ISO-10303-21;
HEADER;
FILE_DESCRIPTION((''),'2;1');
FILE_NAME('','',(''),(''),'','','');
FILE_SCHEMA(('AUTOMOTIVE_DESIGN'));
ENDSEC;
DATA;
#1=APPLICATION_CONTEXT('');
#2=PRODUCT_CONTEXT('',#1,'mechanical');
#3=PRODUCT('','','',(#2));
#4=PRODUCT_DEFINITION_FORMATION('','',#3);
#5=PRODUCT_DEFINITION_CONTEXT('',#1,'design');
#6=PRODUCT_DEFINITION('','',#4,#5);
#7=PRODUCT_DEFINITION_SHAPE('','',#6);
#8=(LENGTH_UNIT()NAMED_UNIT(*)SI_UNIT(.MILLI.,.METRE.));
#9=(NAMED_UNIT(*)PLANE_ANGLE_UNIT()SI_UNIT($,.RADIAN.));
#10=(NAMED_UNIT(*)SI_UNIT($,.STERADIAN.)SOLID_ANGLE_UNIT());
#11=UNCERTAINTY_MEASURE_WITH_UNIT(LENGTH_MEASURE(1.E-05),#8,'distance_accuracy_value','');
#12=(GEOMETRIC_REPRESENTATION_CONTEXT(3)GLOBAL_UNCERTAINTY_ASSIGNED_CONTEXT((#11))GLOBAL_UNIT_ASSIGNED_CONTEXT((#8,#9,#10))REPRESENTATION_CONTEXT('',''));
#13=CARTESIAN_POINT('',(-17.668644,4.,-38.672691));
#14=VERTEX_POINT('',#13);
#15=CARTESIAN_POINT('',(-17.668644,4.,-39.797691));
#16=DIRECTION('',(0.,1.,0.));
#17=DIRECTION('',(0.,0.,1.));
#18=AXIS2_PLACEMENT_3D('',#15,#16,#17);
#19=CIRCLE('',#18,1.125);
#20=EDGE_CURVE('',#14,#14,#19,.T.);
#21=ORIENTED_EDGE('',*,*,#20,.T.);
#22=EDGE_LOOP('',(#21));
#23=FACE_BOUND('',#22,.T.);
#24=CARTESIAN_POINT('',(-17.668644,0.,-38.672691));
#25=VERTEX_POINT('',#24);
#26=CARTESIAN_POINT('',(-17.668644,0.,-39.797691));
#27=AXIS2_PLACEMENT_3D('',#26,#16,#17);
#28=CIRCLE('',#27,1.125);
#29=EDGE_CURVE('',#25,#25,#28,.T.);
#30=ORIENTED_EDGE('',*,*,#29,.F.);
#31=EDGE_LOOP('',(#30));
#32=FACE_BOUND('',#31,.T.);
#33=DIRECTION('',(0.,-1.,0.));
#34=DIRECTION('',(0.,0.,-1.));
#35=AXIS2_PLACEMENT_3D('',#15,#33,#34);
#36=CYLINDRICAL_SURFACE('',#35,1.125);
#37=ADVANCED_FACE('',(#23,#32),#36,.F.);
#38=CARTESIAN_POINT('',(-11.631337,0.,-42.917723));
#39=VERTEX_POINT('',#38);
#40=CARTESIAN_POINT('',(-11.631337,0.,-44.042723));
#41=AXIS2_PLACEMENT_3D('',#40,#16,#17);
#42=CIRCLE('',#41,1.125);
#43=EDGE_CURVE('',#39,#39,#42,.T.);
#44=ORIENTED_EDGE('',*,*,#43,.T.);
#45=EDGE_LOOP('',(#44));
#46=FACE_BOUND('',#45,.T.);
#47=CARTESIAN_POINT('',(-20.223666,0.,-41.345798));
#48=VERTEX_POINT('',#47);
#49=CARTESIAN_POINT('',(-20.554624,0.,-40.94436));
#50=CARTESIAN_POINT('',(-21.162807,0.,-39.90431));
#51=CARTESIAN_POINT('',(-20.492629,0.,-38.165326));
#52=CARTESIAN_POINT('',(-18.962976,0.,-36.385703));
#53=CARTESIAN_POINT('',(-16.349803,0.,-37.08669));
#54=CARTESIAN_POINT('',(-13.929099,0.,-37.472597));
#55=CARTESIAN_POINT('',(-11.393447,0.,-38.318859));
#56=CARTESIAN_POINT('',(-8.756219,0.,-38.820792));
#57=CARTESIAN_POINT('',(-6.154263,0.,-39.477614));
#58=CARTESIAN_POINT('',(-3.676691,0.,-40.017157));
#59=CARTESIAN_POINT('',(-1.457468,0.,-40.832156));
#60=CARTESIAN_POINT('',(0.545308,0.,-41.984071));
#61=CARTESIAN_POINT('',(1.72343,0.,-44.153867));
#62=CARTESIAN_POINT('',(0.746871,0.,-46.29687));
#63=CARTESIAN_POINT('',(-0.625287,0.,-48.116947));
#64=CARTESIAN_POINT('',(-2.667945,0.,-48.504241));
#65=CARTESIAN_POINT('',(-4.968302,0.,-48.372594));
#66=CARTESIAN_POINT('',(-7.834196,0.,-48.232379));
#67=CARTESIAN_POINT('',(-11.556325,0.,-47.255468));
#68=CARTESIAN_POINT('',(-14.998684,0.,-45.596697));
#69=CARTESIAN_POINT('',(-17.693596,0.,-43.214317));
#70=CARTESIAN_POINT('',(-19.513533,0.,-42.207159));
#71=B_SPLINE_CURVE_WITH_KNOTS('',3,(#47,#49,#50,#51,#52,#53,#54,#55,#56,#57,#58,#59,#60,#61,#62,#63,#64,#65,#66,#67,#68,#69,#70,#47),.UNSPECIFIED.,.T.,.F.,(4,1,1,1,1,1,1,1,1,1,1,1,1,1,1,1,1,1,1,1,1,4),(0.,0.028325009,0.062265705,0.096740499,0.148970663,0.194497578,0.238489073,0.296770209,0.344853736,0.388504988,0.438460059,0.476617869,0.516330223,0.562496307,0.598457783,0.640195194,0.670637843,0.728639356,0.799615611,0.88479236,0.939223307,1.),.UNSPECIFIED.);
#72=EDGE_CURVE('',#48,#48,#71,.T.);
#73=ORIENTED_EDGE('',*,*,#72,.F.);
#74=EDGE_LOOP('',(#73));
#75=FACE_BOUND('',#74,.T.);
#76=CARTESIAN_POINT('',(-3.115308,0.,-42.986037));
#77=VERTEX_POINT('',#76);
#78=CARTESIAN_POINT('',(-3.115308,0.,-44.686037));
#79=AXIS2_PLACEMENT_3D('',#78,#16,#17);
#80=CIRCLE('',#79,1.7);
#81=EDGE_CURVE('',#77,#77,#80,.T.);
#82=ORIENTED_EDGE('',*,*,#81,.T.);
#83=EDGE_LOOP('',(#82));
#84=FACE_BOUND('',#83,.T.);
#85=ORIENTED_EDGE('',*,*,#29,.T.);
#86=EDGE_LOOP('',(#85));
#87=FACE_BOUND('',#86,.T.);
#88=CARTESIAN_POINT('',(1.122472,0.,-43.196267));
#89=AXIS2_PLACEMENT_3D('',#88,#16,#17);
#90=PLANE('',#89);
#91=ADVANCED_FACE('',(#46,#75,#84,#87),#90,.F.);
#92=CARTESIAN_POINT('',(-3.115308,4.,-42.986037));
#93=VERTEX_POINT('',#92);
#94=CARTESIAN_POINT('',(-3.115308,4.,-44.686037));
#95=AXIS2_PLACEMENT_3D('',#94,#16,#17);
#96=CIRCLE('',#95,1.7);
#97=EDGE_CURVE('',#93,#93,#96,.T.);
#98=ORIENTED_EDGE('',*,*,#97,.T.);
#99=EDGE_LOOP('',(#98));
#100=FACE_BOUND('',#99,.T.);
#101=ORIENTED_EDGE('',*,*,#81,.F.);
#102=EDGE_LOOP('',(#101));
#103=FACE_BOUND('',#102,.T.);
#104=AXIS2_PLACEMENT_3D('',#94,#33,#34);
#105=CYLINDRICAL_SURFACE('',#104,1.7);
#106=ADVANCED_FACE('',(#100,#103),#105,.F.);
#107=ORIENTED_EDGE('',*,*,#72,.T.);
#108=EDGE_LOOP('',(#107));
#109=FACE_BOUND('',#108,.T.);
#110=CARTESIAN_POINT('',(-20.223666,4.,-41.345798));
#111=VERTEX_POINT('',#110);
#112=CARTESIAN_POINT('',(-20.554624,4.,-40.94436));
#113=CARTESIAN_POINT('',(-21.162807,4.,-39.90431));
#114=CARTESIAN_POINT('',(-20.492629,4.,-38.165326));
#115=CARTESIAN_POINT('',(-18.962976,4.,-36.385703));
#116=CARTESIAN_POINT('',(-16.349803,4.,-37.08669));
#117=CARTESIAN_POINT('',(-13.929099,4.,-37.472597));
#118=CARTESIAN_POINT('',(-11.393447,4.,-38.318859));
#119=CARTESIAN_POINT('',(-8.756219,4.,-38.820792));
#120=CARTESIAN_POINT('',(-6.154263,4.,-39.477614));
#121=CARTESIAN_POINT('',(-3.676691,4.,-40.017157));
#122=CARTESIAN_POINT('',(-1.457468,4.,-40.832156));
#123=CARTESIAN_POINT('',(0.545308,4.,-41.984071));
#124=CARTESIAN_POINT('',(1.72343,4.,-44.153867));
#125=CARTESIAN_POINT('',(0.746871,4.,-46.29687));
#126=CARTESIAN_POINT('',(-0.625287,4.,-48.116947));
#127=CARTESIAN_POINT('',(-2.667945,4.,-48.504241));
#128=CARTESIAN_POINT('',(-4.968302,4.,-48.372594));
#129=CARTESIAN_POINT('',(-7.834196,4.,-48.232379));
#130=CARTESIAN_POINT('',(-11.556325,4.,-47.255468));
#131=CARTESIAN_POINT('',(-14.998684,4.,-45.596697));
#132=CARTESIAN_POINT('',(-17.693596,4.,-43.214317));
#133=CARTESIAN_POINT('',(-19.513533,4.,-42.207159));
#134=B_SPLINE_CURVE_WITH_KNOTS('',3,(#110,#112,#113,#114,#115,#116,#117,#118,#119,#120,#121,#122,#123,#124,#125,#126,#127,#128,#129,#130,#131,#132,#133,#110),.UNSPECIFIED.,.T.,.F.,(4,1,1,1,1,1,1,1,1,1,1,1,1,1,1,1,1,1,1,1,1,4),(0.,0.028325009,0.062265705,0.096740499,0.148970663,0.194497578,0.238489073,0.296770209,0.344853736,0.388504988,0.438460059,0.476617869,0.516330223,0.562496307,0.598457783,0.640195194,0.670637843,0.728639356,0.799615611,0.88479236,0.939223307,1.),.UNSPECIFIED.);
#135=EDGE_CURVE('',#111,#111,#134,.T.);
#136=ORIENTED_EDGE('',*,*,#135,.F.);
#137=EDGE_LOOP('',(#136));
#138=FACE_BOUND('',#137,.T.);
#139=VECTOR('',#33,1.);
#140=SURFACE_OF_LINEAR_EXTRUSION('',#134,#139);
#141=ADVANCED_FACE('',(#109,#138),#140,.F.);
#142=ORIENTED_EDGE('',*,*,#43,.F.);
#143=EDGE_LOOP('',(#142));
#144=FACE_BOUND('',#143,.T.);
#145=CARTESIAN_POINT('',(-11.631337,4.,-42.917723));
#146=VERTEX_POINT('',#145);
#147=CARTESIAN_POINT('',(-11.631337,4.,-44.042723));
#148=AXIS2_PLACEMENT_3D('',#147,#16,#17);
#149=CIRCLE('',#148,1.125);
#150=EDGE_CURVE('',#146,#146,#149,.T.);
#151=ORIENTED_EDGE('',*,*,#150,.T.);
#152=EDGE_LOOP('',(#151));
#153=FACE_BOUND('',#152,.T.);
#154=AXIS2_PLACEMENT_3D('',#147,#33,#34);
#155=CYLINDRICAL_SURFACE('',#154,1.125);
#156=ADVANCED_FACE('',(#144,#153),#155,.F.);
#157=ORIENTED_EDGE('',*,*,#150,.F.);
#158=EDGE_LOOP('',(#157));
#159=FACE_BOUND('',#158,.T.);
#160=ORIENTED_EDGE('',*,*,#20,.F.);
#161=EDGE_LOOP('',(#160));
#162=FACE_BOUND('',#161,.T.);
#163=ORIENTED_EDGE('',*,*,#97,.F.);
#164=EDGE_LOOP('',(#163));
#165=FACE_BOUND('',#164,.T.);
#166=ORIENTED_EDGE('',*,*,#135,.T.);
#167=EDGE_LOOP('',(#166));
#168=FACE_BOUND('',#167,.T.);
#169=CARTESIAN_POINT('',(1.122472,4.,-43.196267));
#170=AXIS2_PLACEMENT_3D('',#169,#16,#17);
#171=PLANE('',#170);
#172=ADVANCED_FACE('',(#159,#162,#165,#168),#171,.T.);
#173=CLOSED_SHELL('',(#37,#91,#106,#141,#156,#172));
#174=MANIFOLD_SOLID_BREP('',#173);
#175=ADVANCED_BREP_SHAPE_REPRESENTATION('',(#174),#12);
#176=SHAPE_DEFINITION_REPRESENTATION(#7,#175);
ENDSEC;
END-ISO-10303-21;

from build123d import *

# Parameters (mm, degrees)
SKETCH1_R           = 1.7
SKETCH1_R_2         = 1.125
BOSS_EXTRUDE2_DEPTH = 4


with BuildPart() as part:
    # Sketch1 → Boss-Extrude2 (new body)
    with BuildSketch(Plane(origin=(0, 0, 0), x_dir=(1, 0, 0), z_dir=(0, 1, 0))):
        with BuildLine():
            add(Edge.make_bspline(
                [(-20.223665823, 41.345797589), (-19.51353317, 42.207158648), (-17.693596198, 43.214317022), (-14.998684072, 45.596697249), (-11.556324702, 47.255467785), (-7.834195926, 48.232379185), (-4.968301938, 48.372594041), (-2.667944924, 48.504241335), (-0.625287208, 48.116947197), (0.746870917, 46.296870071), (1.723430224, 44.153866714), (0.545307675, 41.984071242), (-1.457468468, 40.832155715), (-3.676691304, 40.017156724), (-6.154262694, 39.477614231), (-8.756218686, 38.820792256), (-11.3934475, 38.318859044), (-13.929099261, 37.472596788), (-16.349803012, 37.086690088), (-18.962975701, 36.385703027), (-20.492629164, 38.165325626), (-21.162807223, 39.904309893), (-20.554623507, 40.944359829), (-20.223665823, 41.345797589)],
                knots=[0, 0, 0, 0, 0.060776693, 0.11520764, 0.200384389, 0.271360644, 0.329362157, 0.359804806, 0.401542217, 0.437503693, 0.483669777, 0.523382131, 0.561539941, 0.611495012, 0.655146264, 0.703229791, 0.761510927, 0.805502422, 0.851029337, 0.903259501, 0.937734295, 0.971674991, 1, 1, 1, 1], degree=3))
        make_face()
        with Locations(Location((-3.11530838, 44.686036761, 0), (0, 0, 270))):
            Circle(SKETCH1_R, mode=Mode.SUBTRACT)
        with Locations(Location((-11.631337248, 44.042722822, 0), (0, 0, 270))):
            Circle(SKETCH1_R_2, mode=Mode.SUBTRACT)
        with Locations(Location((-17.668644027, 39.797690803, 0), (0, 0, 270))):
            Circle(SKETCH1_R_2, mode=Mode.SUBTRACT)
    extrude(amount=BOSS_EXTRUDE2_DEPTH)


solid = part.part
